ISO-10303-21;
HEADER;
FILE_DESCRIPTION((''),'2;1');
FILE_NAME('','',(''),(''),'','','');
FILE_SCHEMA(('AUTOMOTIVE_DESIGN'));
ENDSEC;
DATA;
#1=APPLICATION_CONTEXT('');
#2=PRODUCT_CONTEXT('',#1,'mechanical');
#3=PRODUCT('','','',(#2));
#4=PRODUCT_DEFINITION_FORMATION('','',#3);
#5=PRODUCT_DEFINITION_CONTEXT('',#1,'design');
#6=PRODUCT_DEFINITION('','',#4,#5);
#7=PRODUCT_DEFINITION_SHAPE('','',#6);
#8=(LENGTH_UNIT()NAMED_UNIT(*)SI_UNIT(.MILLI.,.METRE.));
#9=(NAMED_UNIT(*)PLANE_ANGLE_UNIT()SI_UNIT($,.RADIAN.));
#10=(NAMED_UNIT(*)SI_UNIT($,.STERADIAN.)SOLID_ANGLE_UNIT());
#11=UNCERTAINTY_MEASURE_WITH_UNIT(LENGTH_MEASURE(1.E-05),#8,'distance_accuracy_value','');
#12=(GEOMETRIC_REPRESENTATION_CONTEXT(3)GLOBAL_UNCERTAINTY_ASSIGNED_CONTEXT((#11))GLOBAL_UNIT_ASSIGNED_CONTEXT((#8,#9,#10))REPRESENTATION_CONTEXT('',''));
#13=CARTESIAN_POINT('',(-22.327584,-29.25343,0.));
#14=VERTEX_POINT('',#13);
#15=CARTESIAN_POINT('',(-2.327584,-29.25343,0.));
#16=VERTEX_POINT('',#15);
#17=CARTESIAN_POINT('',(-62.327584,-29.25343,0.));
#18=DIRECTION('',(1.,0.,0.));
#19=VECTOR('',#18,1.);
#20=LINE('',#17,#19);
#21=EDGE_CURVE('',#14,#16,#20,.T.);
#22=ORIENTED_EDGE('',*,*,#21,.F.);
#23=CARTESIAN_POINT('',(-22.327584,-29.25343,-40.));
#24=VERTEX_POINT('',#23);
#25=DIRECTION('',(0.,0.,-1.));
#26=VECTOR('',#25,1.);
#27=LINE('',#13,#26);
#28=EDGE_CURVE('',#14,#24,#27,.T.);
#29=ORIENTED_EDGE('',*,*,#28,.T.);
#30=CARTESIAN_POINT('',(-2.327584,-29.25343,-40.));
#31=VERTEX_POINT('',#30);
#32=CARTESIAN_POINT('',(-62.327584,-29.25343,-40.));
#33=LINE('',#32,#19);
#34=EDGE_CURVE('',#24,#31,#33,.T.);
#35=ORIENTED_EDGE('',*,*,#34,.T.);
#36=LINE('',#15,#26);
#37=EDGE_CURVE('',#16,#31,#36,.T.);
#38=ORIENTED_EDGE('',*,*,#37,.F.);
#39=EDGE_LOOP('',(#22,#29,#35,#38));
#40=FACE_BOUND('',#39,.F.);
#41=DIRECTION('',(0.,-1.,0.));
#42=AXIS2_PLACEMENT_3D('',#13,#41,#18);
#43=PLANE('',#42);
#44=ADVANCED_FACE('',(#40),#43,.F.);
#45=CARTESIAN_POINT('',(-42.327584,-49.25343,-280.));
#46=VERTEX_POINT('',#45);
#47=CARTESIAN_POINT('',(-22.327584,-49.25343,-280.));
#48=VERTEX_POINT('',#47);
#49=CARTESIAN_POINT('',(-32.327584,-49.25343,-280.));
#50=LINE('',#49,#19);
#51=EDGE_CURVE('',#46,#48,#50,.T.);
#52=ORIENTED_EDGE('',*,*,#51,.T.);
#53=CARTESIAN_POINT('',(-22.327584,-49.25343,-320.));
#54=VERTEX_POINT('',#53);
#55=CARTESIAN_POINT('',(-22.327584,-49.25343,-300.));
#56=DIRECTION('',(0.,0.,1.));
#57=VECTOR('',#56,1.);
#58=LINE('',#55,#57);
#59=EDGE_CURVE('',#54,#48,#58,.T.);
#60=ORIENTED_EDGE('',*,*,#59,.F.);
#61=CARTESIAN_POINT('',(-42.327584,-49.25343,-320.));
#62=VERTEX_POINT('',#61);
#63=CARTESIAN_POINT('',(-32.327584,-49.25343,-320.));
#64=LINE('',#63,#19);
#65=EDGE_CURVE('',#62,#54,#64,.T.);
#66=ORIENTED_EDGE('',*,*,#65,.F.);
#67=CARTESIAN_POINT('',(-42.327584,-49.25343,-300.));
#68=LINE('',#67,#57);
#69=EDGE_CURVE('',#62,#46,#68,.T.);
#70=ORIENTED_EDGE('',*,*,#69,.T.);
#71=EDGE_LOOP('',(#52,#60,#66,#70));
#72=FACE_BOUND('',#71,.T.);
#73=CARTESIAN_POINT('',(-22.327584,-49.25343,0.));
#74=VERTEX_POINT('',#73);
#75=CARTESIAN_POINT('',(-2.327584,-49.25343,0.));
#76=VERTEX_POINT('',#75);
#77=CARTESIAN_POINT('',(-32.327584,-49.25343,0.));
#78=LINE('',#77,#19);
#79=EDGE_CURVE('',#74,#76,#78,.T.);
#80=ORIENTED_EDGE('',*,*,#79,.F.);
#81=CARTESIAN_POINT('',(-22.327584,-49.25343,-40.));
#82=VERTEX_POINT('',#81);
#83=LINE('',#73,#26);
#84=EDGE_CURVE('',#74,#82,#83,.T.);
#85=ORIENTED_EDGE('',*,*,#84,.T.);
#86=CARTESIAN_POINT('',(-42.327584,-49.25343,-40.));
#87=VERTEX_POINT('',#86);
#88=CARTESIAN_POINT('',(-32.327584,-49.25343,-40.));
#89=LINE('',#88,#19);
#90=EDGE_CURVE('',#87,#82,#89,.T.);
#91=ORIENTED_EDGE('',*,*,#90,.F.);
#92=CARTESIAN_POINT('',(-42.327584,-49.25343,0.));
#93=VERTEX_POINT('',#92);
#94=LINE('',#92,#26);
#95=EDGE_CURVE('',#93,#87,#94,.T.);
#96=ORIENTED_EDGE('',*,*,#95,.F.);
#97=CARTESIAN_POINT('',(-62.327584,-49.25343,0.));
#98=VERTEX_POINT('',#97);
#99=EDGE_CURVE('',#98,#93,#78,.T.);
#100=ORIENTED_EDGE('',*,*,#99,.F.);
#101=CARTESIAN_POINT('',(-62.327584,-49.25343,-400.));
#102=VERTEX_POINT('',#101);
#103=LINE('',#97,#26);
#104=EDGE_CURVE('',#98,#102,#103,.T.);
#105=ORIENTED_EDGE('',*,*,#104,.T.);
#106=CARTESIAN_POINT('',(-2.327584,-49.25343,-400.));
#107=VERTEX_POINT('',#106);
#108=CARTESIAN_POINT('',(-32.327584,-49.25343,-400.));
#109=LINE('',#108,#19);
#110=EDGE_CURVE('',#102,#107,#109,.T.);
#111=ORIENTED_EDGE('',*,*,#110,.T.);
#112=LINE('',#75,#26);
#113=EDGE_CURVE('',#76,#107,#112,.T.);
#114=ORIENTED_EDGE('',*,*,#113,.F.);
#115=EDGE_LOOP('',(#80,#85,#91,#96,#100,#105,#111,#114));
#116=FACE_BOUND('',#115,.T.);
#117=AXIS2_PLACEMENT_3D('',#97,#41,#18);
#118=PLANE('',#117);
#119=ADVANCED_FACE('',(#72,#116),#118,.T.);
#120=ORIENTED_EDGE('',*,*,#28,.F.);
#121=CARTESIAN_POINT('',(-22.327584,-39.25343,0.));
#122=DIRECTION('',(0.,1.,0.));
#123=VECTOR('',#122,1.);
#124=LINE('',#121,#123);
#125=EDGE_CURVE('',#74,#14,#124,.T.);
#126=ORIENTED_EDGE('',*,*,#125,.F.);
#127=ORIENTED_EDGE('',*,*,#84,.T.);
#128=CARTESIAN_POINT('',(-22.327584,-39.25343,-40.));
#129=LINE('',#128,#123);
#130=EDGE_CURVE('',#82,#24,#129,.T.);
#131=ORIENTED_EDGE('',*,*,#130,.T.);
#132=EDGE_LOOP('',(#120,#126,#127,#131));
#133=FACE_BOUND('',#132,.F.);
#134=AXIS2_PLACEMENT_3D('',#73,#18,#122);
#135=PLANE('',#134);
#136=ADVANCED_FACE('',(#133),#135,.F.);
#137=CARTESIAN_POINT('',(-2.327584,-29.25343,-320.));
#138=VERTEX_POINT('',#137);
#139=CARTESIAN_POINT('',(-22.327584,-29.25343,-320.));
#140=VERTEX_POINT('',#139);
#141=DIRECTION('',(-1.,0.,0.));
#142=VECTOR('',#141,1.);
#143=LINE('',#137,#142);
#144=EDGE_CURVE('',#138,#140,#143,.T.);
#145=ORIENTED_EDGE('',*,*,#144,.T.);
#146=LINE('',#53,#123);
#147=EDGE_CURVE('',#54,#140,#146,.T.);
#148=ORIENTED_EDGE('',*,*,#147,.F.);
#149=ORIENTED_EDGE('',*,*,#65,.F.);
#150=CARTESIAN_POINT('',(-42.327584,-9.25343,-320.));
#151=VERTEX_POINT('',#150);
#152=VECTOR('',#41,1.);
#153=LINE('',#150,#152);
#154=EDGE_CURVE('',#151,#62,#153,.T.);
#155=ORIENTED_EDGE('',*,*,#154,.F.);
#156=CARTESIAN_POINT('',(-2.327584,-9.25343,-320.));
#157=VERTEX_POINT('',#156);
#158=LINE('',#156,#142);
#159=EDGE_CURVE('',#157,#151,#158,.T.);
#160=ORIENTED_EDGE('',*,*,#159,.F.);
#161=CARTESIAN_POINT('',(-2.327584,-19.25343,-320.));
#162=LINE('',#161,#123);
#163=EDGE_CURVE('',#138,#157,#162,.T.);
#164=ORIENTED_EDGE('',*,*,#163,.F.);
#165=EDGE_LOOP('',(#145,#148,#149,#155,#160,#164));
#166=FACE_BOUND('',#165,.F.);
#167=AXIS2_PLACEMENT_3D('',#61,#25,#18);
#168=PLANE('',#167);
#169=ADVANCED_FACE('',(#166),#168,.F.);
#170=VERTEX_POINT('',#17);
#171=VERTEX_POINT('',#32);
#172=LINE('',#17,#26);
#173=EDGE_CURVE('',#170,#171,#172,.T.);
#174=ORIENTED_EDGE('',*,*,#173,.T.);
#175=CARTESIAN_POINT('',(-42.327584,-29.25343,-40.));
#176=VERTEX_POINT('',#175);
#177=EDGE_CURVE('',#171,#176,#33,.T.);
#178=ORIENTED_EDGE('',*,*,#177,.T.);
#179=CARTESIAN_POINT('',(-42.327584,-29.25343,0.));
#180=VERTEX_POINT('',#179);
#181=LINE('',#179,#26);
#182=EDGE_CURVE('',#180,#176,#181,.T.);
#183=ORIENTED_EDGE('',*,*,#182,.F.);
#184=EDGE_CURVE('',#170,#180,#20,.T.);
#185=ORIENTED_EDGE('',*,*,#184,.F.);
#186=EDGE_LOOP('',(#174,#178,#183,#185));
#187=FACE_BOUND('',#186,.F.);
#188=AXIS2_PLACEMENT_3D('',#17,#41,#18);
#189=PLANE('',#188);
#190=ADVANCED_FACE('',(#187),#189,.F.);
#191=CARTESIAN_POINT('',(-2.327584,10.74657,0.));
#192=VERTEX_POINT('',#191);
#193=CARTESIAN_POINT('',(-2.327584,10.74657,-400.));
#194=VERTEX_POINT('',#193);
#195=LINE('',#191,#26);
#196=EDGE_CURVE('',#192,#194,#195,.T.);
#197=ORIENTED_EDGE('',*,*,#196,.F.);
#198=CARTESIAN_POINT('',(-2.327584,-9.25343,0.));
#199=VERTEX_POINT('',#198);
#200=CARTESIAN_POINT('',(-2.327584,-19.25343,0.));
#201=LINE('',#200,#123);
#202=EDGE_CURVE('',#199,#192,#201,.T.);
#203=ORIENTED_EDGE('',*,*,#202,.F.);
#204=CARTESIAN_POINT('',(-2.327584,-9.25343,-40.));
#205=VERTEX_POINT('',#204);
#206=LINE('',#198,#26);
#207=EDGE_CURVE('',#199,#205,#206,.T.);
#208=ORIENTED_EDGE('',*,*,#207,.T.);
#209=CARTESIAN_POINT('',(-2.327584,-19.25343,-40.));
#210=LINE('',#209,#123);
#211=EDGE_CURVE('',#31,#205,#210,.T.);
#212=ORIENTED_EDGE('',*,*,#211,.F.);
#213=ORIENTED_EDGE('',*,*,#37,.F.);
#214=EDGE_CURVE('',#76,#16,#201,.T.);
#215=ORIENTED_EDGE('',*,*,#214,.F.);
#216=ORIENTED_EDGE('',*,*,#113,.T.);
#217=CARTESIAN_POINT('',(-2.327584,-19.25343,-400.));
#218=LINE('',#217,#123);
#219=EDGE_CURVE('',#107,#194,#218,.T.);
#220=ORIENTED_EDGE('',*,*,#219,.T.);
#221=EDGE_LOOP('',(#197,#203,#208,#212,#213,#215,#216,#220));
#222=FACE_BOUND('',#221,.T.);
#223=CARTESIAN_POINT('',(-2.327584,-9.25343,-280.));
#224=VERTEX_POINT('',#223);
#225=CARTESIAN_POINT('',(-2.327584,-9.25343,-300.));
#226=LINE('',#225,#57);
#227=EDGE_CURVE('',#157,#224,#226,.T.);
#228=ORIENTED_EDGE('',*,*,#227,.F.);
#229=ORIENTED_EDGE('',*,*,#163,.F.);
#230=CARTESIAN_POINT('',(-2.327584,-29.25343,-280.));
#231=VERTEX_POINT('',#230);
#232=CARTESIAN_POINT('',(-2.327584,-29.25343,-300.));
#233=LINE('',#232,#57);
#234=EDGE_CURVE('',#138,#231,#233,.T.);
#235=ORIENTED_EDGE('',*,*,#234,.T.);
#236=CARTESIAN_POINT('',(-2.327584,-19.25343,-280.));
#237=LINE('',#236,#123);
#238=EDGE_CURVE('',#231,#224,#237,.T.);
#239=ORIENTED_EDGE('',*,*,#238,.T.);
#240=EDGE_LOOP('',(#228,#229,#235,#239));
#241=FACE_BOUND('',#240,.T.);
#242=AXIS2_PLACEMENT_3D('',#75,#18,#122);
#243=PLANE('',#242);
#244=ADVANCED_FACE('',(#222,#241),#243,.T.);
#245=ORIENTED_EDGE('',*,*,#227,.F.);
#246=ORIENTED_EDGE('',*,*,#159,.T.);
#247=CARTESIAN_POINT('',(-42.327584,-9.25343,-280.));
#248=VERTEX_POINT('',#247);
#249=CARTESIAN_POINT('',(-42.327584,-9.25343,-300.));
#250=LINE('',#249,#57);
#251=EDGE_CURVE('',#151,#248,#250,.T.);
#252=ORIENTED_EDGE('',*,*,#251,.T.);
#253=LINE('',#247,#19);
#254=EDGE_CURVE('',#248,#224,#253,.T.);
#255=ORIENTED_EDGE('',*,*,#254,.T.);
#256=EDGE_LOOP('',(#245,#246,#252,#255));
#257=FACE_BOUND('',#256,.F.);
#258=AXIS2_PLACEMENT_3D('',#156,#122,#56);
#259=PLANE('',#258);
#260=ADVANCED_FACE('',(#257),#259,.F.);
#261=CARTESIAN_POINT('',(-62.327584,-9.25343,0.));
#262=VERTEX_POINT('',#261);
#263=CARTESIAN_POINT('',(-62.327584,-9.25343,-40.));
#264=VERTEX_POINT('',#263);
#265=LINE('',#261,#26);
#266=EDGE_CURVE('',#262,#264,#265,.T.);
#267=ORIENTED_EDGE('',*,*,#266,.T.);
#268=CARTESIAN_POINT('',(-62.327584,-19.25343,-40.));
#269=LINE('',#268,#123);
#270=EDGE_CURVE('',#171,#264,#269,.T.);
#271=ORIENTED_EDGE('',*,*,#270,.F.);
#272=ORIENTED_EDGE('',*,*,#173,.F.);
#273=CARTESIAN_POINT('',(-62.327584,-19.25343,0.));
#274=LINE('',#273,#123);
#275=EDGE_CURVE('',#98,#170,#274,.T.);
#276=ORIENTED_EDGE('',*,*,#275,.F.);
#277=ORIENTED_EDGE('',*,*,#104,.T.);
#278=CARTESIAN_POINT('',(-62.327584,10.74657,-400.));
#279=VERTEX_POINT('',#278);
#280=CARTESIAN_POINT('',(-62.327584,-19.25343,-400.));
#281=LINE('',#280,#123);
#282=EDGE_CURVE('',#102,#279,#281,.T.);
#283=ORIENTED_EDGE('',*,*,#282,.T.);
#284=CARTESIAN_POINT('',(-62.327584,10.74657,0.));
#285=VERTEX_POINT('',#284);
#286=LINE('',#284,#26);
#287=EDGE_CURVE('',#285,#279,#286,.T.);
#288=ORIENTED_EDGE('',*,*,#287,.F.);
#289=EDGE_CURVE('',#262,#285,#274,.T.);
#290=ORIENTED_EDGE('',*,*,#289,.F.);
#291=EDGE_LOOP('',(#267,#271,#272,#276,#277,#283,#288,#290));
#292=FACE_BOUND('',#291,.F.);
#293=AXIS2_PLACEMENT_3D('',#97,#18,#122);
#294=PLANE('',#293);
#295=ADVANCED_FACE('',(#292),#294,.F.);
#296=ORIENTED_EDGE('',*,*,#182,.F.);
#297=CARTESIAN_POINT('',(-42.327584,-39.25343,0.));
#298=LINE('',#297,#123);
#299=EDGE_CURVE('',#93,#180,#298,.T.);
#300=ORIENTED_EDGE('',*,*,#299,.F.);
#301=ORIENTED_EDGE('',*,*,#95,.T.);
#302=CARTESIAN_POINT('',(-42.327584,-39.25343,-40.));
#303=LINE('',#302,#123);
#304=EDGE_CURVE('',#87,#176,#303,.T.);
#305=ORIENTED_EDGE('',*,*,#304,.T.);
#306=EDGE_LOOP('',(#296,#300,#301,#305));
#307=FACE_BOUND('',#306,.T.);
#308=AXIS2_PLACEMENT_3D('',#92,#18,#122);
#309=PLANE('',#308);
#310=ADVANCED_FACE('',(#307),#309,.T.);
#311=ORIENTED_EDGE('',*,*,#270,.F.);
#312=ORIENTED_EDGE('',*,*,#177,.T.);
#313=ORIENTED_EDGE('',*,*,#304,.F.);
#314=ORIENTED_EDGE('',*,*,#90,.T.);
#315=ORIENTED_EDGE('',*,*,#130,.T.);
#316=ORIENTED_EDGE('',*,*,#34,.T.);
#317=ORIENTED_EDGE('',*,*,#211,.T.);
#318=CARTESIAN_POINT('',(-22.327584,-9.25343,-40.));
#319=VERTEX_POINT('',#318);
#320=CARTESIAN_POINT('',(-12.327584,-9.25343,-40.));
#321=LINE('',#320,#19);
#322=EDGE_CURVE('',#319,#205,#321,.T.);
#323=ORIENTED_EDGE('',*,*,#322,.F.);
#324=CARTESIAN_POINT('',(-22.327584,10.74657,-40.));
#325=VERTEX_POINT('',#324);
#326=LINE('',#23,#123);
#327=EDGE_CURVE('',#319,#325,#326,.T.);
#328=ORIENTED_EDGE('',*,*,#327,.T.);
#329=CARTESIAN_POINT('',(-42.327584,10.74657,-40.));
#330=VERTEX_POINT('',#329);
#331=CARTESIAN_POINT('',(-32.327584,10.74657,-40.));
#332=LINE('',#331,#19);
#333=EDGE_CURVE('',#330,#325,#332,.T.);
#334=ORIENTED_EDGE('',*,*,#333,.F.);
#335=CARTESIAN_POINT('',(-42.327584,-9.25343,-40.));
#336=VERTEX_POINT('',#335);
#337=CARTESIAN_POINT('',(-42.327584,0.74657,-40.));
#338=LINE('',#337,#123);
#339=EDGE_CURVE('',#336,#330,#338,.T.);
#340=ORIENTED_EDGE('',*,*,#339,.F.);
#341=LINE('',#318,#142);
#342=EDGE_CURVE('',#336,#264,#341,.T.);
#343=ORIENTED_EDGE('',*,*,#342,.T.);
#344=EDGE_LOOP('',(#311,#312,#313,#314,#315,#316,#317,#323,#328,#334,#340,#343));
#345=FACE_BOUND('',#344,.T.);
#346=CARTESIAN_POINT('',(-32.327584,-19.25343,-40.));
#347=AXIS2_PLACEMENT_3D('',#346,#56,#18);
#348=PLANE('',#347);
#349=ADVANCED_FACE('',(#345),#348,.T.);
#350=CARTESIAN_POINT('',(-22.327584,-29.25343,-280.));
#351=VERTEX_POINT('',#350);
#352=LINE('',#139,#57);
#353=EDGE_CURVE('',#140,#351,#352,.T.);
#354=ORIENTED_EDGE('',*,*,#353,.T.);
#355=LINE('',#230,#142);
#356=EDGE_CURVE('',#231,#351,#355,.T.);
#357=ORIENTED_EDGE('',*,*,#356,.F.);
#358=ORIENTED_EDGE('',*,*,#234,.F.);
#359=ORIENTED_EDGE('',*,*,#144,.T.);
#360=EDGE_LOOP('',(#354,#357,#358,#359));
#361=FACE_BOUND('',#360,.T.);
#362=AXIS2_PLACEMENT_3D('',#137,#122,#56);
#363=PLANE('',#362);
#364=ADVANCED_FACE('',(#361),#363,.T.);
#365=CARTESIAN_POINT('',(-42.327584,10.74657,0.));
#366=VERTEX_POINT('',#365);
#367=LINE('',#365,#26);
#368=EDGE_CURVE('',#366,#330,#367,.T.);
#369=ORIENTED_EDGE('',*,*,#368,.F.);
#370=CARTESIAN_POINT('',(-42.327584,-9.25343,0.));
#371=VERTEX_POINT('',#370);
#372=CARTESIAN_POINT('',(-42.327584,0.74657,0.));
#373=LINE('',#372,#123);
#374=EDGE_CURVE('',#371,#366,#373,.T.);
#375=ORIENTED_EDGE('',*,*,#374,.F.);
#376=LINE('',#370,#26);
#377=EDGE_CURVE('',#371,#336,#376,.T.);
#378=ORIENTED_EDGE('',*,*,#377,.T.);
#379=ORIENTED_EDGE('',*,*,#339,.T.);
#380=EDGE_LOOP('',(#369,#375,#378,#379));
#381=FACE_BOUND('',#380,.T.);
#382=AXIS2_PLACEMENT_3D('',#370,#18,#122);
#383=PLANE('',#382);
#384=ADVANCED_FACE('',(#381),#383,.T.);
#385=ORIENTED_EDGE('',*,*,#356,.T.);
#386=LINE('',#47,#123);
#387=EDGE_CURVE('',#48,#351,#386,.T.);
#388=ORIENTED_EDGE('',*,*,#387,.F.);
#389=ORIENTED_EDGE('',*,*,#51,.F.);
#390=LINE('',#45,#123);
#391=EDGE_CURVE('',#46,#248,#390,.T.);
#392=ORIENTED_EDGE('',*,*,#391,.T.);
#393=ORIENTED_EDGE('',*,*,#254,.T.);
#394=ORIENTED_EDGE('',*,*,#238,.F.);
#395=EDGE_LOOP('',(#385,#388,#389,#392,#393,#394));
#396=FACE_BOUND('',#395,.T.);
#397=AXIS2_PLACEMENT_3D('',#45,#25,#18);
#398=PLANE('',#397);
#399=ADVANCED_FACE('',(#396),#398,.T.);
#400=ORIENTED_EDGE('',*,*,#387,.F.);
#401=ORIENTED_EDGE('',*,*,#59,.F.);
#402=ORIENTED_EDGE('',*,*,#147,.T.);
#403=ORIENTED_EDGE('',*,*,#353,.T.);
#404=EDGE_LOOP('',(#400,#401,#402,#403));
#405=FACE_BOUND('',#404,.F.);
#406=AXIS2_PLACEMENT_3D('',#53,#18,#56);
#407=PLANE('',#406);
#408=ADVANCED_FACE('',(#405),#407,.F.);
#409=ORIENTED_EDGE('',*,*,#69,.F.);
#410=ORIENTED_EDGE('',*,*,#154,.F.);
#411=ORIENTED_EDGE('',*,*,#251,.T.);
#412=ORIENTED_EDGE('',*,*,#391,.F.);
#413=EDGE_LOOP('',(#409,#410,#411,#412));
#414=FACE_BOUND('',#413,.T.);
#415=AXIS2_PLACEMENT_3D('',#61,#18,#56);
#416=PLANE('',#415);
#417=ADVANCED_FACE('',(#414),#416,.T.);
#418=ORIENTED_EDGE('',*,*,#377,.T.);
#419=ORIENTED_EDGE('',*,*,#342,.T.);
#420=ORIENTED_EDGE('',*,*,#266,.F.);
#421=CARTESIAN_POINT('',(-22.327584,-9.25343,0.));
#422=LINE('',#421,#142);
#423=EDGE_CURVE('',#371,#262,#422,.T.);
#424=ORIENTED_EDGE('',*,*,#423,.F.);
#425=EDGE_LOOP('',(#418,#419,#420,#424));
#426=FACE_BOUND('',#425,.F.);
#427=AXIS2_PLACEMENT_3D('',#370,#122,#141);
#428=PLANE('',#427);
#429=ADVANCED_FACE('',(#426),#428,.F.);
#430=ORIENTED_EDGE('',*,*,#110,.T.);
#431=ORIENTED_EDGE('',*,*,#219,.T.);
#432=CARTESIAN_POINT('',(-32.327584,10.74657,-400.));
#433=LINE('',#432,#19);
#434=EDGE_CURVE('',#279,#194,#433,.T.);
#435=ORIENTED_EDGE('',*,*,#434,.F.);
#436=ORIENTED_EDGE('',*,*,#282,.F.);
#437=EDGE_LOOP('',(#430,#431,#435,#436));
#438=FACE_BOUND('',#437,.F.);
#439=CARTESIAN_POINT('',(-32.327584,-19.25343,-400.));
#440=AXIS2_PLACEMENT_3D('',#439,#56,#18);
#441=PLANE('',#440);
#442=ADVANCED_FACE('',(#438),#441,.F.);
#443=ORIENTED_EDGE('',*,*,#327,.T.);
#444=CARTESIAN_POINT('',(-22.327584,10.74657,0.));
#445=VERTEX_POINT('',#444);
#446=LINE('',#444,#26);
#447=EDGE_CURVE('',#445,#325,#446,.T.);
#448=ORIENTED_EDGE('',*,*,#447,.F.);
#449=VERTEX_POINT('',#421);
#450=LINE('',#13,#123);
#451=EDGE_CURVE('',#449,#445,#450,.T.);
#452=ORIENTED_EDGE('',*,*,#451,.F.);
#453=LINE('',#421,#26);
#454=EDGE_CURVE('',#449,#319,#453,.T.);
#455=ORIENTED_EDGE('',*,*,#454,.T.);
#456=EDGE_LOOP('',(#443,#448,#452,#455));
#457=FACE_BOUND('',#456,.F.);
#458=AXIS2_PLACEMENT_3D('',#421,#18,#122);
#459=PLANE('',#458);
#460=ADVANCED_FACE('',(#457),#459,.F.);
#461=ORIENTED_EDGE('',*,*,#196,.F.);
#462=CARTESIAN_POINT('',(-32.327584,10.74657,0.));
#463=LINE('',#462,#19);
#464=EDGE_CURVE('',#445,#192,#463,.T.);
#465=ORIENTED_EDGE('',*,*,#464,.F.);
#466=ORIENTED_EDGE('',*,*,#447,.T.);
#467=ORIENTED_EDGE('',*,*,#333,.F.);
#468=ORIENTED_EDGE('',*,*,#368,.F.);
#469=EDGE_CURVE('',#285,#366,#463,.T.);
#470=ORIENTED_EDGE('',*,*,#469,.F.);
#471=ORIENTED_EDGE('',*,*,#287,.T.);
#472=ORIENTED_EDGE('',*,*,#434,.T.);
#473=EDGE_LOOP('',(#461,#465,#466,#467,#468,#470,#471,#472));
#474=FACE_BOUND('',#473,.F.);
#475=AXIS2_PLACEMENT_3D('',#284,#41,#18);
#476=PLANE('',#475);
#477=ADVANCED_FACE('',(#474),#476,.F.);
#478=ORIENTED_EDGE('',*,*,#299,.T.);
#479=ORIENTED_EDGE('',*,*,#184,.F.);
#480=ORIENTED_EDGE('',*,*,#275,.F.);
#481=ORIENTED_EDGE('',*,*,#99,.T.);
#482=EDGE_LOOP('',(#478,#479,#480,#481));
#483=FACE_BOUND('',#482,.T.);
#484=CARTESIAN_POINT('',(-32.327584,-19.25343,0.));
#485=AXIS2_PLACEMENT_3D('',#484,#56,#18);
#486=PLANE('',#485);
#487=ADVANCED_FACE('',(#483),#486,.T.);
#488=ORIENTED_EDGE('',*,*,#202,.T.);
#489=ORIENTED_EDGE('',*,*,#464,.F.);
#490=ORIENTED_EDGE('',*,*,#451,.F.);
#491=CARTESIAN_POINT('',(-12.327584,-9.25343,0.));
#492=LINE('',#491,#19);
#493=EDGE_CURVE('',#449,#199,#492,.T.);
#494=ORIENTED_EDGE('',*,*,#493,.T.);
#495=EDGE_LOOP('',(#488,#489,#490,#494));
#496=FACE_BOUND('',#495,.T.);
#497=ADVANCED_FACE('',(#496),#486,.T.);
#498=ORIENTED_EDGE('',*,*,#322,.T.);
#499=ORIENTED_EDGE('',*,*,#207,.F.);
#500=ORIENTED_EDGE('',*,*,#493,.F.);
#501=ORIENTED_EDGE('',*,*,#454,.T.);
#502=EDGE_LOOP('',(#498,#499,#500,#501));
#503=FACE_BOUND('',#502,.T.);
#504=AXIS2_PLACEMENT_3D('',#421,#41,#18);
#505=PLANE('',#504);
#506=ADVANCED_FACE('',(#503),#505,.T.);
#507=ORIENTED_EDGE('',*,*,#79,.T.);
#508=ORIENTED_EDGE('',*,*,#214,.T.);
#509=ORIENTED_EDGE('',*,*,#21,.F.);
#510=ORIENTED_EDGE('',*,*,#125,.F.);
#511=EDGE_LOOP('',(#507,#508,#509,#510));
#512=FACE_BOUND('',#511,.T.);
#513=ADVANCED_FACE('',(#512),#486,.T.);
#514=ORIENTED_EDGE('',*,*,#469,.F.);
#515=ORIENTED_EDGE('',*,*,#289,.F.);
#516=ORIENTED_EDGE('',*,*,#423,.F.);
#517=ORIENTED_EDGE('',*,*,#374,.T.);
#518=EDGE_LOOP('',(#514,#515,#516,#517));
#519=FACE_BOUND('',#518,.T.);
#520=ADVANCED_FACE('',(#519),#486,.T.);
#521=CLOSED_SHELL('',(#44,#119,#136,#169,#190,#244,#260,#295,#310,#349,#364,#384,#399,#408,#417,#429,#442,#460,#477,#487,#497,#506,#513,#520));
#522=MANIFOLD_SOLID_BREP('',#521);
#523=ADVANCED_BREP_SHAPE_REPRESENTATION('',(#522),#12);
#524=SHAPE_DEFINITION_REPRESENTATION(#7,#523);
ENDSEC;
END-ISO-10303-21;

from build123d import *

# Parameters (mm, degrees)
F0_W     = 60
F0_H     = 60
F1_DEPTH = 400
F2_W     = 20
F2_H     = 20
F3_DEPTH = 40
F4_W     = 20
F4_H     = 40
F5_DEPTH = 40
F6_W     = 20
F6_H     = 40
F7_DEPTH = 40


with BuildPart() as f1:
    # F0 (on Top) → F1 (new body)
    with BuildSketch(Plane.XY):
        with Locations((-32.3275837302, -19.2534299031)):
            Rectangle(F0_W, F0_H)
    extrude(amount=-F1_DEPTH)

    # F2 (on face) → F3 (cut)
    with BuildSketch(Plane.XY):
        with Locations((-32.3275837302, -19.2534299031)):
            Rectangle(F2_W, F2_H)
        with Locations((-52.3275837302, -19.2534299031)):
            Rectangle(F2_W, F2_H)
        with Locations((-32.3275837302, 0.7465700969)):
            Rectangle(F2_W, F2_H)
        with Locations((-12.3275837302, -19.2534299031)):
            Rectangle(F2_W, F2_H)
        with Locations((-32.3275837302, -39.2534299031)):
            Rectangle(F2_W, F2_H)
    extrude(amount=-F3_DEPTH, mode=Mode.SUBTRACT)

    # F4 (on face) → F5 (cut)
    with BuildSketch(Plane.XZ.offset(49.2534299031)):
        with Locations((-32.3275837302, -300)):
            Rectangle(F4_W, F4_H)
    extrude(amount=-F5_DEPTH, mode=Mode.SUBTRACT)

    # F6 (on face) → F7 (cut)
    with BuildSketch(Plane.YZ.offset(-2.3275837302)):
        with Locations((-19.2534299031, -300)):
            Rectangle(F6_W, F6_H)
    extrude(amount=-F7_DEPTH, mode=Mode.SUBTRACT)


solid = f1.part
